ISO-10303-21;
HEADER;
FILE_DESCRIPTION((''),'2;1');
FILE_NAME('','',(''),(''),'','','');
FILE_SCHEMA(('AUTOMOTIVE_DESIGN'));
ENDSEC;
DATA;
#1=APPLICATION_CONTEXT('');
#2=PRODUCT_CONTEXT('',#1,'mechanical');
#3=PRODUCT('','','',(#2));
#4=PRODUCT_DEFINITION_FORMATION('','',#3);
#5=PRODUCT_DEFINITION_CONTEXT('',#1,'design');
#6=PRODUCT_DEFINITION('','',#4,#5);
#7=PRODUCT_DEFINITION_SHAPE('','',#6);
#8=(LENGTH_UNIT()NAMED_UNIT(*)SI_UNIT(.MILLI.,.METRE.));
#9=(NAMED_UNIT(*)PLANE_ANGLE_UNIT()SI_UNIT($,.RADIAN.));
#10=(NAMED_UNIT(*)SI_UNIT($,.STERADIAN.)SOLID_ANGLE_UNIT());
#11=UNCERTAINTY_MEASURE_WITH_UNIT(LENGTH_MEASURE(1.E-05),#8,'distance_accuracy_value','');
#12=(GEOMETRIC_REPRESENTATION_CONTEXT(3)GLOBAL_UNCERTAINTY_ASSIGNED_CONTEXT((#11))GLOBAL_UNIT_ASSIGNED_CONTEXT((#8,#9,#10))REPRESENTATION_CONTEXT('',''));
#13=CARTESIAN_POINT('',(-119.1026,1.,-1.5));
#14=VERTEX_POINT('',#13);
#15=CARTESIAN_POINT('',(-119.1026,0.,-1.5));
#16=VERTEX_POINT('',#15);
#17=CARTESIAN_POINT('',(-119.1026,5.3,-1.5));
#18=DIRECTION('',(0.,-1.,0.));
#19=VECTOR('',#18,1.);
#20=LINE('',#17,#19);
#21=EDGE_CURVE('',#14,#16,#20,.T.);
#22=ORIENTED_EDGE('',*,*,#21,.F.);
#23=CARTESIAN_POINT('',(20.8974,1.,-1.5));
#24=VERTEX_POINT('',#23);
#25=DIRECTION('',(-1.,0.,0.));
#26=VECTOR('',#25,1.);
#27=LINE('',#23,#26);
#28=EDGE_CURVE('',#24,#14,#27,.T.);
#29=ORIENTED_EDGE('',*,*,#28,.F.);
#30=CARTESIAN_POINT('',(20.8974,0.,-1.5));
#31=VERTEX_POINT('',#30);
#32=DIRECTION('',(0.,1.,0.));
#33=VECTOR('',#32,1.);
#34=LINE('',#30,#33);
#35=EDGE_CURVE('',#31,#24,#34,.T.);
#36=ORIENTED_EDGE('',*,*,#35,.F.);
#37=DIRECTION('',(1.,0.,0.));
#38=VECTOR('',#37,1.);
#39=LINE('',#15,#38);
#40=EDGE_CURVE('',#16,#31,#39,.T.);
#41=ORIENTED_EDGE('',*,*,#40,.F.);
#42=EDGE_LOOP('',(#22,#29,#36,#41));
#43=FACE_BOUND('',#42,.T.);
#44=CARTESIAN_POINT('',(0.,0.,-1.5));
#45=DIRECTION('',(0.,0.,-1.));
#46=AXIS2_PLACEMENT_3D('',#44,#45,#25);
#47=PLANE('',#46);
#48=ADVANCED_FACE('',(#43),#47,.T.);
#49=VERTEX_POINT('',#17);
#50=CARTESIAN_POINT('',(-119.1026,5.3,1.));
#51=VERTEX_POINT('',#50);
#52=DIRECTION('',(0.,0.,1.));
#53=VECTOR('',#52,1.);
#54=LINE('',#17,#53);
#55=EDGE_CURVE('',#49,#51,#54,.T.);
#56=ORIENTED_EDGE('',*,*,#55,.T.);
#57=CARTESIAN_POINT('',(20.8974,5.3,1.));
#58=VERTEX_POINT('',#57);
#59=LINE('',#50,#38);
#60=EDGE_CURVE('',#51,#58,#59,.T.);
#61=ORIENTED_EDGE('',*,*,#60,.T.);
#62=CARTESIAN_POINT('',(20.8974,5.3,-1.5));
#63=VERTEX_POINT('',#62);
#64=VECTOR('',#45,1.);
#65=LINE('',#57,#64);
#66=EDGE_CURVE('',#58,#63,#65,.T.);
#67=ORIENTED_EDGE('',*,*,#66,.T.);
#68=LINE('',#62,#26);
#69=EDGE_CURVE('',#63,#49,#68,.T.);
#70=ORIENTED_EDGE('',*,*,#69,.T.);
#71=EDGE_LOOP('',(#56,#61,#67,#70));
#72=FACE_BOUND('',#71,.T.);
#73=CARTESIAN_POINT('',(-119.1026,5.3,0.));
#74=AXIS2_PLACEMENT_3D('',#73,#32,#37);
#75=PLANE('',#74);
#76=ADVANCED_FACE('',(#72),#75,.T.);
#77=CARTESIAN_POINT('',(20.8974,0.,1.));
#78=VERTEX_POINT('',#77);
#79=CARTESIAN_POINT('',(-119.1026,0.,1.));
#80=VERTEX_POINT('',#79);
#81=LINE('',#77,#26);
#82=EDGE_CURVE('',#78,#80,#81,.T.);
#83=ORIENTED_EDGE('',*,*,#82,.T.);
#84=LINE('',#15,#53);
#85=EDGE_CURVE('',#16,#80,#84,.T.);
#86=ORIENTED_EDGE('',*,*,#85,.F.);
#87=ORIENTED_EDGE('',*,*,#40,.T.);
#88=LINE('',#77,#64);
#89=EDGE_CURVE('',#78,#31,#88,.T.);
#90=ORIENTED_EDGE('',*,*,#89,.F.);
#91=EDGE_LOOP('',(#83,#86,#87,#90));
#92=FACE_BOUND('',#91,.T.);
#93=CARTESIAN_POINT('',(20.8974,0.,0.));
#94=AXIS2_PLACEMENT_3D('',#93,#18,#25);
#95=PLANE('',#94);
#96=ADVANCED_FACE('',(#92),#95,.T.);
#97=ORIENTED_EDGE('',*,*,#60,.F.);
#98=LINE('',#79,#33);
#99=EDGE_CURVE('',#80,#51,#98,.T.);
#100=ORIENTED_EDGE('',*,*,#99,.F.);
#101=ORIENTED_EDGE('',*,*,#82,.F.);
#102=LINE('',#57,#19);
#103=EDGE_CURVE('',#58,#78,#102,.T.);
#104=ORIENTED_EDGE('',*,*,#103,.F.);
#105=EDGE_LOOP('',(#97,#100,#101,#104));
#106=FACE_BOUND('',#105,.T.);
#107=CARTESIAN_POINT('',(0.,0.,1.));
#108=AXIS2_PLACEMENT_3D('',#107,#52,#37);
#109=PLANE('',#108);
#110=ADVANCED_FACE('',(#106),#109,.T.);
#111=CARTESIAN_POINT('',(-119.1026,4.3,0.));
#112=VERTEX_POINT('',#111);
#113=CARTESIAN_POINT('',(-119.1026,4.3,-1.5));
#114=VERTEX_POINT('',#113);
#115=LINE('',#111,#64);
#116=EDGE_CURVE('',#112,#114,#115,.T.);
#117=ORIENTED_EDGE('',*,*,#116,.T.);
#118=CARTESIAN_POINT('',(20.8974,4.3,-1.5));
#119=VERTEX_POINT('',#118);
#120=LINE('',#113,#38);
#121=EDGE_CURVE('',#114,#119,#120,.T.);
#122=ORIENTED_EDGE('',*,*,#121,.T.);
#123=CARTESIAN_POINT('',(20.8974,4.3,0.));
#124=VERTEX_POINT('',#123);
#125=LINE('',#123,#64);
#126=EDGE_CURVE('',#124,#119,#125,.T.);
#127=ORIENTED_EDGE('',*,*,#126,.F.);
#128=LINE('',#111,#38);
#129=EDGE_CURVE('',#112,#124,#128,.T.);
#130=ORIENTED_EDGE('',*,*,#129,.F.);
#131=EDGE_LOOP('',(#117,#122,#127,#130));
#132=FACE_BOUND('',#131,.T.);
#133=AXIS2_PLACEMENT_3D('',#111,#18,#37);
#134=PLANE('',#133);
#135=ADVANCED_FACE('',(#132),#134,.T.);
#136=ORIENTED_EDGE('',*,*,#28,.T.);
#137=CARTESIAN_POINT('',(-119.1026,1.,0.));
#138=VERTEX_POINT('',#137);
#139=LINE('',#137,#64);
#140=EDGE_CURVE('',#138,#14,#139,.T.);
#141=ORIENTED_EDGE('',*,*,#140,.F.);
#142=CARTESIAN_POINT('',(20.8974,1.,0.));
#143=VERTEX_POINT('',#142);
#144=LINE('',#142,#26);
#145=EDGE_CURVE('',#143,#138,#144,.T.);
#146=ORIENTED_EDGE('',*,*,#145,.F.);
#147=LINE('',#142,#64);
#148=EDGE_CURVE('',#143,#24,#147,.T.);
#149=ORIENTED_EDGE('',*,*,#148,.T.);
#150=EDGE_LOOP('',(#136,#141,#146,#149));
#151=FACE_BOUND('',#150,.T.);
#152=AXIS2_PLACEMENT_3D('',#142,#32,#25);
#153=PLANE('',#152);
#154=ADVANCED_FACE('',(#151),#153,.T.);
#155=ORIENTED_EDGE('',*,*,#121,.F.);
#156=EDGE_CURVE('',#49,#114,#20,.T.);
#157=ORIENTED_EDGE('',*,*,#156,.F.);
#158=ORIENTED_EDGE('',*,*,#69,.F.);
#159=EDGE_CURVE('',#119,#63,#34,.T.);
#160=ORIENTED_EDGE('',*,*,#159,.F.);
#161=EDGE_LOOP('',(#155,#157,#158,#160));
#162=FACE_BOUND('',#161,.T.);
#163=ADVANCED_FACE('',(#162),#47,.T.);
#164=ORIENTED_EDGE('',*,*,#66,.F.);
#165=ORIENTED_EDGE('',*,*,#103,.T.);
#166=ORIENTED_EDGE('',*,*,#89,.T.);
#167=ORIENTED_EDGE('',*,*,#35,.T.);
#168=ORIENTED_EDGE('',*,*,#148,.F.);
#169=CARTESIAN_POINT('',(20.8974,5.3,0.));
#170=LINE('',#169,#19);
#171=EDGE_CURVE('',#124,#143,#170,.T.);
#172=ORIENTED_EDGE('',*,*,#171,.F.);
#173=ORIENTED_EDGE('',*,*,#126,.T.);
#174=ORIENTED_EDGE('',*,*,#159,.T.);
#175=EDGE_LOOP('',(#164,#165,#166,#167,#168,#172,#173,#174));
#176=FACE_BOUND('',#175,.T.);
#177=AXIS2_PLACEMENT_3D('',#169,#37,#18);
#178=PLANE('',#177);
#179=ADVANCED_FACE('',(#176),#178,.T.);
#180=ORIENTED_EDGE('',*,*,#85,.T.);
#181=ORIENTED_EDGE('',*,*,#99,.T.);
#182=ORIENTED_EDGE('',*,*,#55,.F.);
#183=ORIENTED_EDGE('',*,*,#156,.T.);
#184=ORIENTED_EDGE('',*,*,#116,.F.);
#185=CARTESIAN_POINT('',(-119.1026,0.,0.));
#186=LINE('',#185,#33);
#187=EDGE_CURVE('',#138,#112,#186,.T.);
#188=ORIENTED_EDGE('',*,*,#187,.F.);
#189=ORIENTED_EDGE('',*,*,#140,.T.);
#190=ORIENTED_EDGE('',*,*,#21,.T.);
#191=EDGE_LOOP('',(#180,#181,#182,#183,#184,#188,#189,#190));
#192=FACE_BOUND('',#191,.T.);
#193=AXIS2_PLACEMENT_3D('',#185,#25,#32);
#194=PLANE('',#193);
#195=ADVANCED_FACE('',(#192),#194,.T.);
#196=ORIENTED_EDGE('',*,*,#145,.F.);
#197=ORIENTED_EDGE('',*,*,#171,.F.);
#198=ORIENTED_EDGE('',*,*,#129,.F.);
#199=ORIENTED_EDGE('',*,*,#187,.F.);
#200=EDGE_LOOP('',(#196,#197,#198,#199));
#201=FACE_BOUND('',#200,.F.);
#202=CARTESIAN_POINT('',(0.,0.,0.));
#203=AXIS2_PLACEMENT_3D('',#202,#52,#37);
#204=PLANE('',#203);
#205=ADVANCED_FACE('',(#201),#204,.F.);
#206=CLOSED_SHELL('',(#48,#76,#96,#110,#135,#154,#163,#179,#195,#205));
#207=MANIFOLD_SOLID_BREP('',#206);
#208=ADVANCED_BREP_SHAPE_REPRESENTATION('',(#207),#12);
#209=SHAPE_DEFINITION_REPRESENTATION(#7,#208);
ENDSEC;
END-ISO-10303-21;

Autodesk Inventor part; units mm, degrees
ref_plane "YZ Plane" through (0, 0, 0) normal (1, 0, 0) x (0, 1, 0)
ref_plane "XZ Plane" through (0, 0, 0) normal (0, 1, 0) x (-1, 0, 0)
ref_plane "XY Plane" through (0, 0, 0) normal (0, 0, 1) x (1, 0, 0)
sketch "Эскиз1" plane through (0, 0, 0) normal (0, 0, 1) x (1, 0, 0)
  line L0 (-119.1026, 5.3) -> (20.8974, 5.3)
  line L1 (20.8974, 5.3) -> (20.8974, 0)
  line L2 (20.8974, 0) -> (-119.1026, 0)
  line L3 (-119.1026, 0) -> (-119.1026, 5.3)
  point P0 (0, 0)
  point P1 (20.8974, 2.65)
  dimension "d0" = 5.3
  dimension "d1" = 140
extrude "Выдавливание1" add sketch "Эскиз1" along normal blind 1
sketch "Эскиз2" plane through (0, 0, 0) normal (0, 0, -1) x (-1, 0, 0)
  line L0 (-20.8974, 5.3) -> (119.1026, 5.3) projected
  line L1 (119.1026, 0) -> (-20.8974, 0) projected
  line L2 (119.1026, 5.3) -> (119.1026, 0) projected
  line L3 (-20.8974, 5.3) -> (119.1026, 5.3) projected
  line L4 (-20.8974, 0) -> (-20.8974, 5.3) projected
  line L5 (-20.8974, 0) -> (-20.8974, 5.3) projected
  line L6 (119.1026, 5.3) -> (119.1026, 0) projected
  line L7 (-20.8974, 5.3) -> (119.1026, 5.3)
  line L8 (119.1026, 5.3) -> (119.1026, 4.3)
  line L9 (119.1026, 4.3) -> (-20.8974, 4.3)
  line L10 (-20.8974, 4.3) -> (-20.8974, 5.3)
  line L11 (119.1026, 0) -> (-20.8974, 0)
  line L12 (-20.8974, 0) -> (-20.8974, 1)
  line L13 (-20.8974, 1) -> (119.1026, 1)
  line L14 (119.1026, 1) -> (119.1026, 0)
  point P0 (0, 0)
  dimension "d4" = 1
  dimension "d5" = 1
extrude "Выдавливание2" add sketch "Эскиз2" along normal blind 1.5 contours L0 L2 L9 L4 | L13 L2 L1 L4
properties part number "направляющая для стола"
